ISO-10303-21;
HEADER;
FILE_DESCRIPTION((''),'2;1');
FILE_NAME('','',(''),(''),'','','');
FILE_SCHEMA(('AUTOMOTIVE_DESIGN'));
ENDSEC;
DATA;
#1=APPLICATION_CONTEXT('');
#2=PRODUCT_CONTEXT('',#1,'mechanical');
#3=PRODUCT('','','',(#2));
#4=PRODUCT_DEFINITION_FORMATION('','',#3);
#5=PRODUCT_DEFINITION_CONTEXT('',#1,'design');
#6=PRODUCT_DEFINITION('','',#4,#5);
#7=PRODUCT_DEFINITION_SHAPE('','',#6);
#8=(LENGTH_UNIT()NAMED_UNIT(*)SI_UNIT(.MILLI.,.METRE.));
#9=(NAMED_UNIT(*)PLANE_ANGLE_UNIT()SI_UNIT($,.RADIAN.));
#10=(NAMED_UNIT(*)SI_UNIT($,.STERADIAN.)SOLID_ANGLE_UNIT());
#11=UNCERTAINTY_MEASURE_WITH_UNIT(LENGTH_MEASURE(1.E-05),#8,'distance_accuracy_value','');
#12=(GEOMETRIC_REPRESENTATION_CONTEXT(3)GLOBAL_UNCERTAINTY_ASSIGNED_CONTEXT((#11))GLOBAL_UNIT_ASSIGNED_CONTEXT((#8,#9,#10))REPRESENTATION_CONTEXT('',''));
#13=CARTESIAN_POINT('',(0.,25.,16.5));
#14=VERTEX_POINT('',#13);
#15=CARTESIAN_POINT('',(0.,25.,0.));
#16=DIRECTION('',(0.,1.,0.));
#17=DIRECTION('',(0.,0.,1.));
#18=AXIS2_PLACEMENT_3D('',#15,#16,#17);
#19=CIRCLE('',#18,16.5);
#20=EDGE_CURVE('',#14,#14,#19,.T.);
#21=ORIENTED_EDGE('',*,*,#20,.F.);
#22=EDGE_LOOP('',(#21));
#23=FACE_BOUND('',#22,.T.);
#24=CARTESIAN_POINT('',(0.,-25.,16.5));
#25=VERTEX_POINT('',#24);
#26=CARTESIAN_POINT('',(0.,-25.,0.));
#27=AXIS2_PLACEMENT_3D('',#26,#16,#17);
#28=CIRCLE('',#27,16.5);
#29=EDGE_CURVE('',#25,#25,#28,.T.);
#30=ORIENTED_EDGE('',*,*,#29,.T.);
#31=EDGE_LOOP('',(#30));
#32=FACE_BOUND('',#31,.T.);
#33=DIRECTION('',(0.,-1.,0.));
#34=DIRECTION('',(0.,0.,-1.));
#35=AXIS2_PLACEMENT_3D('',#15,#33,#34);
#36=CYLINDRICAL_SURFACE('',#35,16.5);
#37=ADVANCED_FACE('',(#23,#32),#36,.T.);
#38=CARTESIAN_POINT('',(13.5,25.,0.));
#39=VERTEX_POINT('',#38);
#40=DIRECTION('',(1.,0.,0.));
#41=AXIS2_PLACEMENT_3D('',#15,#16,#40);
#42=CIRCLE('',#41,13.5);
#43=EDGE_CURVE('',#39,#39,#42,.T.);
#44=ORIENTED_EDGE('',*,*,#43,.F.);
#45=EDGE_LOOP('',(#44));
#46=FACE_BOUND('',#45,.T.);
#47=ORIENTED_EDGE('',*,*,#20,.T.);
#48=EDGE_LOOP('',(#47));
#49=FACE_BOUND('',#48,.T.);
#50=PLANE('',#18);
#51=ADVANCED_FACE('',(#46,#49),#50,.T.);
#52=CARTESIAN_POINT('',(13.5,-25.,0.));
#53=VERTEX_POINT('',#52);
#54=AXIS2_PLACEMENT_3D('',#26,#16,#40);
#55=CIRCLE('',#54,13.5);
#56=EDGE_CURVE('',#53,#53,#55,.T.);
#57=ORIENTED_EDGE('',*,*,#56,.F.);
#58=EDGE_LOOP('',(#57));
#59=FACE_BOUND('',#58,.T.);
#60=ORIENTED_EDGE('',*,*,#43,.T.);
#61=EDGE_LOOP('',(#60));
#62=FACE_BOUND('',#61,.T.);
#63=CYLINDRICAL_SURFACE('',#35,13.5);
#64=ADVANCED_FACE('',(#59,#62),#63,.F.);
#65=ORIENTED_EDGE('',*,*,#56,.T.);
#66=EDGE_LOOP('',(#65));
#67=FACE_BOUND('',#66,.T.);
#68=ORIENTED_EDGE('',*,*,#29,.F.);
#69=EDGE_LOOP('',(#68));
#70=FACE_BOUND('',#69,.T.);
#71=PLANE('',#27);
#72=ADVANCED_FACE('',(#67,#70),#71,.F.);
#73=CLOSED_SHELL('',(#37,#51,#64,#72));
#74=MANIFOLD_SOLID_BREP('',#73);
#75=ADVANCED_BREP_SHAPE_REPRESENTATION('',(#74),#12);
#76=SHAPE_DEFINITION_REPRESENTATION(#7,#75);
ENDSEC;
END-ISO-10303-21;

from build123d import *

# Parameters (mm, degrees)
SKETCH1_R           = 16.5
SKETCH1_R_2         = 13.5
EXTRUDE_THIN1_DEPTH = 25


with BuildPart() as part:
    # Sketch1 → Extrude-Thin1 (new, symmetric)
    with BuildSketch(Plane(origin=(0, 0, 0), x_dir=(1, 0, 0), z_dir=(0, 1, 0))):
        Circle(SKETCH1_R)
        Circle(SKETCH1_R_2, mode=Mode.SUBTRACT)
    extrude(amount=EXTRUDE_THIN1_DEPTH, both=True)


solid = part.part
